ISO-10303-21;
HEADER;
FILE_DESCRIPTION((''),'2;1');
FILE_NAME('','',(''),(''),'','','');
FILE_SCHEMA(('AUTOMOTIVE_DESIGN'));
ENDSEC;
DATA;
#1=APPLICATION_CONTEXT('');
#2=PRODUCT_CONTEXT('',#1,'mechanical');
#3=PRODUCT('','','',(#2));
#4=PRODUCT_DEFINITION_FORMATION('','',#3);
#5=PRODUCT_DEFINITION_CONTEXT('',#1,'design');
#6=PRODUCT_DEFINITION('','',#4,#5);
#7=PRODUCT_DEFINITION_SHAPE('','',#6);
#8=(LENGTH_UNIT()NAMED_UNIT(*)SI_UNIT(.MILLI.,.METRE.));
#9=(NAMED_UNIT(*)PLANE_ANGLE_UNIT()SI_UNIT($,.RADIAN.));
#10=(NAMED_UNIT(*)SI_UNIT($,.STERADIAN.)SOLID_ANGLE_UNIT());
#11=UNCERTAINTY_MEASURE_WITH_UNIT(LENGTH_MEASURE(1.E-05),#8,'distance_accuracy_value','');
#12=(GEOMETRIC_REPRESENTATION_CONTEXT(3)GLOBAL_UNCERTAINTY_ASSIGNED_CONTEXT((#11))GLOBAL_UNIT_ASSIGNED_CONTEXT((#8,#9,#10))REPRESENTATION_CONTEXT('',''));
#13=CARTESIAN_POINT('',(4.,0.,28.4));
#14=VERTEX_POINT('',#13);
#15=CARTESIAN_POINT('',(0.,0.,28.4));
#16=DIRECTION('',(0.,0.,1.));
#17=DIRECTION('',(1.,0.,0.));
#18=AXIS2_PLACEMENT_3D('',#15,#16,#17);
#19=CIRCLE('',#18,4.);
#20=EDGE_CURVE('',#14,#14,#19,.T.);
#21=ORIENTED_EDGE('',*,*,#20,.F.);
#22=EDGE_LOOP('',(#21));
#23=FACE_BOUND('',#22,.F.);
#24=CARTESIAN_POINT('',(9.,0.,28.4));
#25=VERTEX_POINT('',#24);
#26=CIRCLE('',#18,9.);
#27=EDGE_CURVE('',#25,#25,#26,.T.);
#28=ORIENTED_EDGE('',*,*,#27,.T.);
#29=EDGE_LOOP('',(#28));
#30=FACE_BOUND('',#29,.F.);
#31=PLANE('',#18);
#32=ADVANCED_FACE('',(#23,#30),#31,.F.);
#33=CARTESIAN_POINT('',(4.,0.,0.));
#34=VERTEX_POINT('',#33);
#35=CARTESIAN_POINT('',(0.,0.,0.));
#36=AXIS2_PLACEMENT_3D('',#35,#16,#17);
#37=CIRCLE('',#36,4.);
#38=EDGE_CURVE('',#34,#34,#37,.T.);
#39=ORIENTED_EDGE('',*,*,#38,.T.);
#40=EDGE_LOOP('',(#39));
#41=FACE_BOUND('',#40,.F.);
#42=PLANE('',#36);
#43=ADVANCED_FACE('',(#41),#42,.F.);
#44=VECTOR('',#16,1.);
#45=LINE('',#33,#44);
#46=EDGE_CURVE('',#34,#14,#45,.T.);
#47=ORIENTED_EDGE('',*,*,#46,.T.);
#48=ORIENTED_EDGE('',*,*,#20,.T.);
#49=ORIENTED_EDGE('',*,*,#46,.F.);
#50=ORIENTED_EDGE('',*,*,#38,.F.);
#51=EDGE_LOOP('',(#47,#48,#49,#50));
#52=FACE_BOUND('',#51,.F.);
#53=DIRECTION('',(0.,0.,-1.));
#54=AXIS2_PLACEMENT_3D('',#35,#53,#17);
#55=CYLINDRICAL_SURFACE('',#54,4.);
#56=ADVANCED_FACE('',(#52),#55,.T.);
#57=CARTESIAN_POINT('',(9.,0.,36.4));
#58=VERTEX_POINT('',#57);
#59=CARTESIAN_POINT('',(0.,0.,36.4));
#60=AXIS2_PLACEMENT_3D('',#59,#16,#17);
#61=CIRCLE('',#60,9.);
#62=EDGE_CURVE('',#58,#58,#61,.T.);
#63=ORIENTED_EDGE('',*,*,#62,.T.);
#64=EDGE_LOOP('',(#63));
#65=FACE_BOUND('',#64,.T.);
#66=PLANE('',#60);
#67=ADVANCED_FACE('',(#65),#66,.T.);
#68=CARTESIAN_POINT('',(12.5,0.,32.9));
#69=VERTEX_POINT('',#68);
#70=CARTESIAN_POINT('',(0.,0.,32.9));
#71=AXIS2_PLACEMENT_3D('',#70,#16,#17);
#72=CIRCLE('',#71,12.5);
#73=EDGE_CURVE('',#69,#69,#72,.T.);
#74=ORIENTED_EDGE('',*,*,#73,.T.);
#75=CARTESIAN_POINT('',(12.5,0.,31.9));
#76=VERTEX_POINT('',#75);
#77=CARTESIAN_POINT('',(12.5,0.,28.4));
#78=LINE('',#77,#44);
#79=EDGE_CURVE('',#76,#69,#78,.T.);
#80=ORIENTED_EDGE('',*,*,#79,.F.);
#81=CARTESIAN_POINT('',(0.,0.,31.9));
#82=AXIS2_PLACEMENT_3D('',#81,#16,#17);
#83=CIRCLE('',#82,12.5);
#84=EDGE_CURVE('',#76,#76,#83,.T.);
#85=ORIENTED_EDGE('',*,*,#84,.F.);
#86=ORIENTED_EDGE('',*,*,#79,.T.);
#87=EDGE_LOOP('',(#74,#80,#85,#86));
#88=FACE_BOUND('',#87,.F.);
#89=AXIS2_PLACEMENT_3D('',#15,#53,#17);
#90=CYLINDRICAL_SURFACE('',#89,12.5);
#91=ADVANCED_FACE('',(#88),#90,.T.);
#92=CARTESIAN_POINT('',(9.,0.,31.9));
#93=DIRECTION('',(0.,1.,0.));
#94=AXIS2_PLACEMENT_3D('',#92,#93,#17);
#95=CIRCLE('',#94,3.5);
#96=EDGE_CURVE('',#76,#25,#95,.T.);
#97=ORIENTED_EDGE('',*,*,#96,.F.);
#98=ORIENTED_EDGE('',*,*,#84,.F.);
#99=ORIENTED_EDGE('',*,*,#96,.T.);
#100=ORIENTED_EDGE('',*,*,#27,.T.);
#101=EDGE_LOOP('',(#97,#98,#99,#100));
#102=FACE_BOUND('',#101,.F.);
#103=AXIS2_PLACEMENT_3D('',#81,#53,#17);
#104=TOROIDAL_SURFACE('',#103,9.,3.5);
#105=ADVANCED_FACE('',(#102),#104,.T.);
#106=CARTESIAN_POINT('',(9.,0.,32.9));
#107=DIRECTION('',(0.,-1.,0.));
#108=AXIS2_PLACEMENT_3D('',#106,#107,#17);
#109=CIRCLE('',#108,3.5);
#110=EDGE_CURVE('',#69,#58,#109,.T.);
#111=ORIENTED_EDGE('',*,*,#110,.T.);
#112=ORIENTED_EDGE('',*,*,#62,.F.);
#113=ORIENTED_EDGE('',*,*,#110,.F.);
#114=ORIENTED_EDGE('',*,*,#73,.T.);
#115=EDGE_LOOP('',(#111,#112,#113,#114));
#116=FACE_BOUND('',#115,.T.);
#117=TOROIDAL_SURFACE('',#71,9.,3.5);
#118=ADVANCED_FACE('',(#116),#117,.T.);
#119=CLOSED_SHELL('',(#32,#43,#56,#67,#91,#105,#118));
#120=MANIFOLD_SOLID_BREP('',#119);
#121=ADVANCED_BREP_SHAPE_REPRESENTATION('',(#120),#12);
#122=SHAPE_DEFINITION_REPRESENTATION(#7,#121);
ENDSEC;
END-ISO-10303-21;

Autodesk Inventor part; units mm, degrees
ref_plane "YZ Plane" through (0, 0, 0) normal (1, 0, 0) x (0, 1, 0)
ref_plane "XZ Plane" through (0, 0, 0) normal (0, 1, 0) x (-1, 0, 0)
ref_plane "XY Plane" through (0, 0, 0) normal (0, 0, 1) x (1, 0, 0)
sketch "Sketch1" plane through (0, 0, 0) normal (0, 0, 1) x (1, 0, 0)
  circle A0 centre (0, 0) radius 4
  dimension "d0" = 8
extrude "Extrusion1" add sketch "Sketch1" along normal blind 28.4
sketch "Sketch2" plane through (0, 0, 28.4) normal (0, 0, 1) x (1, 0, 0)
  circle A0 centre (0, 0) radius 12.5
  dimension "d3" = 25
extrude "Extrusion2" add sketch "Sketch2" along normal blind 8
fillet "Fillet1" radius 3.5 1 edges at (-12.5, 0, 36.4)
fillet "Fillet2" radius 3.5 1 edges at (-12.5, 0, 28.4)
properties part number "Wheel"
